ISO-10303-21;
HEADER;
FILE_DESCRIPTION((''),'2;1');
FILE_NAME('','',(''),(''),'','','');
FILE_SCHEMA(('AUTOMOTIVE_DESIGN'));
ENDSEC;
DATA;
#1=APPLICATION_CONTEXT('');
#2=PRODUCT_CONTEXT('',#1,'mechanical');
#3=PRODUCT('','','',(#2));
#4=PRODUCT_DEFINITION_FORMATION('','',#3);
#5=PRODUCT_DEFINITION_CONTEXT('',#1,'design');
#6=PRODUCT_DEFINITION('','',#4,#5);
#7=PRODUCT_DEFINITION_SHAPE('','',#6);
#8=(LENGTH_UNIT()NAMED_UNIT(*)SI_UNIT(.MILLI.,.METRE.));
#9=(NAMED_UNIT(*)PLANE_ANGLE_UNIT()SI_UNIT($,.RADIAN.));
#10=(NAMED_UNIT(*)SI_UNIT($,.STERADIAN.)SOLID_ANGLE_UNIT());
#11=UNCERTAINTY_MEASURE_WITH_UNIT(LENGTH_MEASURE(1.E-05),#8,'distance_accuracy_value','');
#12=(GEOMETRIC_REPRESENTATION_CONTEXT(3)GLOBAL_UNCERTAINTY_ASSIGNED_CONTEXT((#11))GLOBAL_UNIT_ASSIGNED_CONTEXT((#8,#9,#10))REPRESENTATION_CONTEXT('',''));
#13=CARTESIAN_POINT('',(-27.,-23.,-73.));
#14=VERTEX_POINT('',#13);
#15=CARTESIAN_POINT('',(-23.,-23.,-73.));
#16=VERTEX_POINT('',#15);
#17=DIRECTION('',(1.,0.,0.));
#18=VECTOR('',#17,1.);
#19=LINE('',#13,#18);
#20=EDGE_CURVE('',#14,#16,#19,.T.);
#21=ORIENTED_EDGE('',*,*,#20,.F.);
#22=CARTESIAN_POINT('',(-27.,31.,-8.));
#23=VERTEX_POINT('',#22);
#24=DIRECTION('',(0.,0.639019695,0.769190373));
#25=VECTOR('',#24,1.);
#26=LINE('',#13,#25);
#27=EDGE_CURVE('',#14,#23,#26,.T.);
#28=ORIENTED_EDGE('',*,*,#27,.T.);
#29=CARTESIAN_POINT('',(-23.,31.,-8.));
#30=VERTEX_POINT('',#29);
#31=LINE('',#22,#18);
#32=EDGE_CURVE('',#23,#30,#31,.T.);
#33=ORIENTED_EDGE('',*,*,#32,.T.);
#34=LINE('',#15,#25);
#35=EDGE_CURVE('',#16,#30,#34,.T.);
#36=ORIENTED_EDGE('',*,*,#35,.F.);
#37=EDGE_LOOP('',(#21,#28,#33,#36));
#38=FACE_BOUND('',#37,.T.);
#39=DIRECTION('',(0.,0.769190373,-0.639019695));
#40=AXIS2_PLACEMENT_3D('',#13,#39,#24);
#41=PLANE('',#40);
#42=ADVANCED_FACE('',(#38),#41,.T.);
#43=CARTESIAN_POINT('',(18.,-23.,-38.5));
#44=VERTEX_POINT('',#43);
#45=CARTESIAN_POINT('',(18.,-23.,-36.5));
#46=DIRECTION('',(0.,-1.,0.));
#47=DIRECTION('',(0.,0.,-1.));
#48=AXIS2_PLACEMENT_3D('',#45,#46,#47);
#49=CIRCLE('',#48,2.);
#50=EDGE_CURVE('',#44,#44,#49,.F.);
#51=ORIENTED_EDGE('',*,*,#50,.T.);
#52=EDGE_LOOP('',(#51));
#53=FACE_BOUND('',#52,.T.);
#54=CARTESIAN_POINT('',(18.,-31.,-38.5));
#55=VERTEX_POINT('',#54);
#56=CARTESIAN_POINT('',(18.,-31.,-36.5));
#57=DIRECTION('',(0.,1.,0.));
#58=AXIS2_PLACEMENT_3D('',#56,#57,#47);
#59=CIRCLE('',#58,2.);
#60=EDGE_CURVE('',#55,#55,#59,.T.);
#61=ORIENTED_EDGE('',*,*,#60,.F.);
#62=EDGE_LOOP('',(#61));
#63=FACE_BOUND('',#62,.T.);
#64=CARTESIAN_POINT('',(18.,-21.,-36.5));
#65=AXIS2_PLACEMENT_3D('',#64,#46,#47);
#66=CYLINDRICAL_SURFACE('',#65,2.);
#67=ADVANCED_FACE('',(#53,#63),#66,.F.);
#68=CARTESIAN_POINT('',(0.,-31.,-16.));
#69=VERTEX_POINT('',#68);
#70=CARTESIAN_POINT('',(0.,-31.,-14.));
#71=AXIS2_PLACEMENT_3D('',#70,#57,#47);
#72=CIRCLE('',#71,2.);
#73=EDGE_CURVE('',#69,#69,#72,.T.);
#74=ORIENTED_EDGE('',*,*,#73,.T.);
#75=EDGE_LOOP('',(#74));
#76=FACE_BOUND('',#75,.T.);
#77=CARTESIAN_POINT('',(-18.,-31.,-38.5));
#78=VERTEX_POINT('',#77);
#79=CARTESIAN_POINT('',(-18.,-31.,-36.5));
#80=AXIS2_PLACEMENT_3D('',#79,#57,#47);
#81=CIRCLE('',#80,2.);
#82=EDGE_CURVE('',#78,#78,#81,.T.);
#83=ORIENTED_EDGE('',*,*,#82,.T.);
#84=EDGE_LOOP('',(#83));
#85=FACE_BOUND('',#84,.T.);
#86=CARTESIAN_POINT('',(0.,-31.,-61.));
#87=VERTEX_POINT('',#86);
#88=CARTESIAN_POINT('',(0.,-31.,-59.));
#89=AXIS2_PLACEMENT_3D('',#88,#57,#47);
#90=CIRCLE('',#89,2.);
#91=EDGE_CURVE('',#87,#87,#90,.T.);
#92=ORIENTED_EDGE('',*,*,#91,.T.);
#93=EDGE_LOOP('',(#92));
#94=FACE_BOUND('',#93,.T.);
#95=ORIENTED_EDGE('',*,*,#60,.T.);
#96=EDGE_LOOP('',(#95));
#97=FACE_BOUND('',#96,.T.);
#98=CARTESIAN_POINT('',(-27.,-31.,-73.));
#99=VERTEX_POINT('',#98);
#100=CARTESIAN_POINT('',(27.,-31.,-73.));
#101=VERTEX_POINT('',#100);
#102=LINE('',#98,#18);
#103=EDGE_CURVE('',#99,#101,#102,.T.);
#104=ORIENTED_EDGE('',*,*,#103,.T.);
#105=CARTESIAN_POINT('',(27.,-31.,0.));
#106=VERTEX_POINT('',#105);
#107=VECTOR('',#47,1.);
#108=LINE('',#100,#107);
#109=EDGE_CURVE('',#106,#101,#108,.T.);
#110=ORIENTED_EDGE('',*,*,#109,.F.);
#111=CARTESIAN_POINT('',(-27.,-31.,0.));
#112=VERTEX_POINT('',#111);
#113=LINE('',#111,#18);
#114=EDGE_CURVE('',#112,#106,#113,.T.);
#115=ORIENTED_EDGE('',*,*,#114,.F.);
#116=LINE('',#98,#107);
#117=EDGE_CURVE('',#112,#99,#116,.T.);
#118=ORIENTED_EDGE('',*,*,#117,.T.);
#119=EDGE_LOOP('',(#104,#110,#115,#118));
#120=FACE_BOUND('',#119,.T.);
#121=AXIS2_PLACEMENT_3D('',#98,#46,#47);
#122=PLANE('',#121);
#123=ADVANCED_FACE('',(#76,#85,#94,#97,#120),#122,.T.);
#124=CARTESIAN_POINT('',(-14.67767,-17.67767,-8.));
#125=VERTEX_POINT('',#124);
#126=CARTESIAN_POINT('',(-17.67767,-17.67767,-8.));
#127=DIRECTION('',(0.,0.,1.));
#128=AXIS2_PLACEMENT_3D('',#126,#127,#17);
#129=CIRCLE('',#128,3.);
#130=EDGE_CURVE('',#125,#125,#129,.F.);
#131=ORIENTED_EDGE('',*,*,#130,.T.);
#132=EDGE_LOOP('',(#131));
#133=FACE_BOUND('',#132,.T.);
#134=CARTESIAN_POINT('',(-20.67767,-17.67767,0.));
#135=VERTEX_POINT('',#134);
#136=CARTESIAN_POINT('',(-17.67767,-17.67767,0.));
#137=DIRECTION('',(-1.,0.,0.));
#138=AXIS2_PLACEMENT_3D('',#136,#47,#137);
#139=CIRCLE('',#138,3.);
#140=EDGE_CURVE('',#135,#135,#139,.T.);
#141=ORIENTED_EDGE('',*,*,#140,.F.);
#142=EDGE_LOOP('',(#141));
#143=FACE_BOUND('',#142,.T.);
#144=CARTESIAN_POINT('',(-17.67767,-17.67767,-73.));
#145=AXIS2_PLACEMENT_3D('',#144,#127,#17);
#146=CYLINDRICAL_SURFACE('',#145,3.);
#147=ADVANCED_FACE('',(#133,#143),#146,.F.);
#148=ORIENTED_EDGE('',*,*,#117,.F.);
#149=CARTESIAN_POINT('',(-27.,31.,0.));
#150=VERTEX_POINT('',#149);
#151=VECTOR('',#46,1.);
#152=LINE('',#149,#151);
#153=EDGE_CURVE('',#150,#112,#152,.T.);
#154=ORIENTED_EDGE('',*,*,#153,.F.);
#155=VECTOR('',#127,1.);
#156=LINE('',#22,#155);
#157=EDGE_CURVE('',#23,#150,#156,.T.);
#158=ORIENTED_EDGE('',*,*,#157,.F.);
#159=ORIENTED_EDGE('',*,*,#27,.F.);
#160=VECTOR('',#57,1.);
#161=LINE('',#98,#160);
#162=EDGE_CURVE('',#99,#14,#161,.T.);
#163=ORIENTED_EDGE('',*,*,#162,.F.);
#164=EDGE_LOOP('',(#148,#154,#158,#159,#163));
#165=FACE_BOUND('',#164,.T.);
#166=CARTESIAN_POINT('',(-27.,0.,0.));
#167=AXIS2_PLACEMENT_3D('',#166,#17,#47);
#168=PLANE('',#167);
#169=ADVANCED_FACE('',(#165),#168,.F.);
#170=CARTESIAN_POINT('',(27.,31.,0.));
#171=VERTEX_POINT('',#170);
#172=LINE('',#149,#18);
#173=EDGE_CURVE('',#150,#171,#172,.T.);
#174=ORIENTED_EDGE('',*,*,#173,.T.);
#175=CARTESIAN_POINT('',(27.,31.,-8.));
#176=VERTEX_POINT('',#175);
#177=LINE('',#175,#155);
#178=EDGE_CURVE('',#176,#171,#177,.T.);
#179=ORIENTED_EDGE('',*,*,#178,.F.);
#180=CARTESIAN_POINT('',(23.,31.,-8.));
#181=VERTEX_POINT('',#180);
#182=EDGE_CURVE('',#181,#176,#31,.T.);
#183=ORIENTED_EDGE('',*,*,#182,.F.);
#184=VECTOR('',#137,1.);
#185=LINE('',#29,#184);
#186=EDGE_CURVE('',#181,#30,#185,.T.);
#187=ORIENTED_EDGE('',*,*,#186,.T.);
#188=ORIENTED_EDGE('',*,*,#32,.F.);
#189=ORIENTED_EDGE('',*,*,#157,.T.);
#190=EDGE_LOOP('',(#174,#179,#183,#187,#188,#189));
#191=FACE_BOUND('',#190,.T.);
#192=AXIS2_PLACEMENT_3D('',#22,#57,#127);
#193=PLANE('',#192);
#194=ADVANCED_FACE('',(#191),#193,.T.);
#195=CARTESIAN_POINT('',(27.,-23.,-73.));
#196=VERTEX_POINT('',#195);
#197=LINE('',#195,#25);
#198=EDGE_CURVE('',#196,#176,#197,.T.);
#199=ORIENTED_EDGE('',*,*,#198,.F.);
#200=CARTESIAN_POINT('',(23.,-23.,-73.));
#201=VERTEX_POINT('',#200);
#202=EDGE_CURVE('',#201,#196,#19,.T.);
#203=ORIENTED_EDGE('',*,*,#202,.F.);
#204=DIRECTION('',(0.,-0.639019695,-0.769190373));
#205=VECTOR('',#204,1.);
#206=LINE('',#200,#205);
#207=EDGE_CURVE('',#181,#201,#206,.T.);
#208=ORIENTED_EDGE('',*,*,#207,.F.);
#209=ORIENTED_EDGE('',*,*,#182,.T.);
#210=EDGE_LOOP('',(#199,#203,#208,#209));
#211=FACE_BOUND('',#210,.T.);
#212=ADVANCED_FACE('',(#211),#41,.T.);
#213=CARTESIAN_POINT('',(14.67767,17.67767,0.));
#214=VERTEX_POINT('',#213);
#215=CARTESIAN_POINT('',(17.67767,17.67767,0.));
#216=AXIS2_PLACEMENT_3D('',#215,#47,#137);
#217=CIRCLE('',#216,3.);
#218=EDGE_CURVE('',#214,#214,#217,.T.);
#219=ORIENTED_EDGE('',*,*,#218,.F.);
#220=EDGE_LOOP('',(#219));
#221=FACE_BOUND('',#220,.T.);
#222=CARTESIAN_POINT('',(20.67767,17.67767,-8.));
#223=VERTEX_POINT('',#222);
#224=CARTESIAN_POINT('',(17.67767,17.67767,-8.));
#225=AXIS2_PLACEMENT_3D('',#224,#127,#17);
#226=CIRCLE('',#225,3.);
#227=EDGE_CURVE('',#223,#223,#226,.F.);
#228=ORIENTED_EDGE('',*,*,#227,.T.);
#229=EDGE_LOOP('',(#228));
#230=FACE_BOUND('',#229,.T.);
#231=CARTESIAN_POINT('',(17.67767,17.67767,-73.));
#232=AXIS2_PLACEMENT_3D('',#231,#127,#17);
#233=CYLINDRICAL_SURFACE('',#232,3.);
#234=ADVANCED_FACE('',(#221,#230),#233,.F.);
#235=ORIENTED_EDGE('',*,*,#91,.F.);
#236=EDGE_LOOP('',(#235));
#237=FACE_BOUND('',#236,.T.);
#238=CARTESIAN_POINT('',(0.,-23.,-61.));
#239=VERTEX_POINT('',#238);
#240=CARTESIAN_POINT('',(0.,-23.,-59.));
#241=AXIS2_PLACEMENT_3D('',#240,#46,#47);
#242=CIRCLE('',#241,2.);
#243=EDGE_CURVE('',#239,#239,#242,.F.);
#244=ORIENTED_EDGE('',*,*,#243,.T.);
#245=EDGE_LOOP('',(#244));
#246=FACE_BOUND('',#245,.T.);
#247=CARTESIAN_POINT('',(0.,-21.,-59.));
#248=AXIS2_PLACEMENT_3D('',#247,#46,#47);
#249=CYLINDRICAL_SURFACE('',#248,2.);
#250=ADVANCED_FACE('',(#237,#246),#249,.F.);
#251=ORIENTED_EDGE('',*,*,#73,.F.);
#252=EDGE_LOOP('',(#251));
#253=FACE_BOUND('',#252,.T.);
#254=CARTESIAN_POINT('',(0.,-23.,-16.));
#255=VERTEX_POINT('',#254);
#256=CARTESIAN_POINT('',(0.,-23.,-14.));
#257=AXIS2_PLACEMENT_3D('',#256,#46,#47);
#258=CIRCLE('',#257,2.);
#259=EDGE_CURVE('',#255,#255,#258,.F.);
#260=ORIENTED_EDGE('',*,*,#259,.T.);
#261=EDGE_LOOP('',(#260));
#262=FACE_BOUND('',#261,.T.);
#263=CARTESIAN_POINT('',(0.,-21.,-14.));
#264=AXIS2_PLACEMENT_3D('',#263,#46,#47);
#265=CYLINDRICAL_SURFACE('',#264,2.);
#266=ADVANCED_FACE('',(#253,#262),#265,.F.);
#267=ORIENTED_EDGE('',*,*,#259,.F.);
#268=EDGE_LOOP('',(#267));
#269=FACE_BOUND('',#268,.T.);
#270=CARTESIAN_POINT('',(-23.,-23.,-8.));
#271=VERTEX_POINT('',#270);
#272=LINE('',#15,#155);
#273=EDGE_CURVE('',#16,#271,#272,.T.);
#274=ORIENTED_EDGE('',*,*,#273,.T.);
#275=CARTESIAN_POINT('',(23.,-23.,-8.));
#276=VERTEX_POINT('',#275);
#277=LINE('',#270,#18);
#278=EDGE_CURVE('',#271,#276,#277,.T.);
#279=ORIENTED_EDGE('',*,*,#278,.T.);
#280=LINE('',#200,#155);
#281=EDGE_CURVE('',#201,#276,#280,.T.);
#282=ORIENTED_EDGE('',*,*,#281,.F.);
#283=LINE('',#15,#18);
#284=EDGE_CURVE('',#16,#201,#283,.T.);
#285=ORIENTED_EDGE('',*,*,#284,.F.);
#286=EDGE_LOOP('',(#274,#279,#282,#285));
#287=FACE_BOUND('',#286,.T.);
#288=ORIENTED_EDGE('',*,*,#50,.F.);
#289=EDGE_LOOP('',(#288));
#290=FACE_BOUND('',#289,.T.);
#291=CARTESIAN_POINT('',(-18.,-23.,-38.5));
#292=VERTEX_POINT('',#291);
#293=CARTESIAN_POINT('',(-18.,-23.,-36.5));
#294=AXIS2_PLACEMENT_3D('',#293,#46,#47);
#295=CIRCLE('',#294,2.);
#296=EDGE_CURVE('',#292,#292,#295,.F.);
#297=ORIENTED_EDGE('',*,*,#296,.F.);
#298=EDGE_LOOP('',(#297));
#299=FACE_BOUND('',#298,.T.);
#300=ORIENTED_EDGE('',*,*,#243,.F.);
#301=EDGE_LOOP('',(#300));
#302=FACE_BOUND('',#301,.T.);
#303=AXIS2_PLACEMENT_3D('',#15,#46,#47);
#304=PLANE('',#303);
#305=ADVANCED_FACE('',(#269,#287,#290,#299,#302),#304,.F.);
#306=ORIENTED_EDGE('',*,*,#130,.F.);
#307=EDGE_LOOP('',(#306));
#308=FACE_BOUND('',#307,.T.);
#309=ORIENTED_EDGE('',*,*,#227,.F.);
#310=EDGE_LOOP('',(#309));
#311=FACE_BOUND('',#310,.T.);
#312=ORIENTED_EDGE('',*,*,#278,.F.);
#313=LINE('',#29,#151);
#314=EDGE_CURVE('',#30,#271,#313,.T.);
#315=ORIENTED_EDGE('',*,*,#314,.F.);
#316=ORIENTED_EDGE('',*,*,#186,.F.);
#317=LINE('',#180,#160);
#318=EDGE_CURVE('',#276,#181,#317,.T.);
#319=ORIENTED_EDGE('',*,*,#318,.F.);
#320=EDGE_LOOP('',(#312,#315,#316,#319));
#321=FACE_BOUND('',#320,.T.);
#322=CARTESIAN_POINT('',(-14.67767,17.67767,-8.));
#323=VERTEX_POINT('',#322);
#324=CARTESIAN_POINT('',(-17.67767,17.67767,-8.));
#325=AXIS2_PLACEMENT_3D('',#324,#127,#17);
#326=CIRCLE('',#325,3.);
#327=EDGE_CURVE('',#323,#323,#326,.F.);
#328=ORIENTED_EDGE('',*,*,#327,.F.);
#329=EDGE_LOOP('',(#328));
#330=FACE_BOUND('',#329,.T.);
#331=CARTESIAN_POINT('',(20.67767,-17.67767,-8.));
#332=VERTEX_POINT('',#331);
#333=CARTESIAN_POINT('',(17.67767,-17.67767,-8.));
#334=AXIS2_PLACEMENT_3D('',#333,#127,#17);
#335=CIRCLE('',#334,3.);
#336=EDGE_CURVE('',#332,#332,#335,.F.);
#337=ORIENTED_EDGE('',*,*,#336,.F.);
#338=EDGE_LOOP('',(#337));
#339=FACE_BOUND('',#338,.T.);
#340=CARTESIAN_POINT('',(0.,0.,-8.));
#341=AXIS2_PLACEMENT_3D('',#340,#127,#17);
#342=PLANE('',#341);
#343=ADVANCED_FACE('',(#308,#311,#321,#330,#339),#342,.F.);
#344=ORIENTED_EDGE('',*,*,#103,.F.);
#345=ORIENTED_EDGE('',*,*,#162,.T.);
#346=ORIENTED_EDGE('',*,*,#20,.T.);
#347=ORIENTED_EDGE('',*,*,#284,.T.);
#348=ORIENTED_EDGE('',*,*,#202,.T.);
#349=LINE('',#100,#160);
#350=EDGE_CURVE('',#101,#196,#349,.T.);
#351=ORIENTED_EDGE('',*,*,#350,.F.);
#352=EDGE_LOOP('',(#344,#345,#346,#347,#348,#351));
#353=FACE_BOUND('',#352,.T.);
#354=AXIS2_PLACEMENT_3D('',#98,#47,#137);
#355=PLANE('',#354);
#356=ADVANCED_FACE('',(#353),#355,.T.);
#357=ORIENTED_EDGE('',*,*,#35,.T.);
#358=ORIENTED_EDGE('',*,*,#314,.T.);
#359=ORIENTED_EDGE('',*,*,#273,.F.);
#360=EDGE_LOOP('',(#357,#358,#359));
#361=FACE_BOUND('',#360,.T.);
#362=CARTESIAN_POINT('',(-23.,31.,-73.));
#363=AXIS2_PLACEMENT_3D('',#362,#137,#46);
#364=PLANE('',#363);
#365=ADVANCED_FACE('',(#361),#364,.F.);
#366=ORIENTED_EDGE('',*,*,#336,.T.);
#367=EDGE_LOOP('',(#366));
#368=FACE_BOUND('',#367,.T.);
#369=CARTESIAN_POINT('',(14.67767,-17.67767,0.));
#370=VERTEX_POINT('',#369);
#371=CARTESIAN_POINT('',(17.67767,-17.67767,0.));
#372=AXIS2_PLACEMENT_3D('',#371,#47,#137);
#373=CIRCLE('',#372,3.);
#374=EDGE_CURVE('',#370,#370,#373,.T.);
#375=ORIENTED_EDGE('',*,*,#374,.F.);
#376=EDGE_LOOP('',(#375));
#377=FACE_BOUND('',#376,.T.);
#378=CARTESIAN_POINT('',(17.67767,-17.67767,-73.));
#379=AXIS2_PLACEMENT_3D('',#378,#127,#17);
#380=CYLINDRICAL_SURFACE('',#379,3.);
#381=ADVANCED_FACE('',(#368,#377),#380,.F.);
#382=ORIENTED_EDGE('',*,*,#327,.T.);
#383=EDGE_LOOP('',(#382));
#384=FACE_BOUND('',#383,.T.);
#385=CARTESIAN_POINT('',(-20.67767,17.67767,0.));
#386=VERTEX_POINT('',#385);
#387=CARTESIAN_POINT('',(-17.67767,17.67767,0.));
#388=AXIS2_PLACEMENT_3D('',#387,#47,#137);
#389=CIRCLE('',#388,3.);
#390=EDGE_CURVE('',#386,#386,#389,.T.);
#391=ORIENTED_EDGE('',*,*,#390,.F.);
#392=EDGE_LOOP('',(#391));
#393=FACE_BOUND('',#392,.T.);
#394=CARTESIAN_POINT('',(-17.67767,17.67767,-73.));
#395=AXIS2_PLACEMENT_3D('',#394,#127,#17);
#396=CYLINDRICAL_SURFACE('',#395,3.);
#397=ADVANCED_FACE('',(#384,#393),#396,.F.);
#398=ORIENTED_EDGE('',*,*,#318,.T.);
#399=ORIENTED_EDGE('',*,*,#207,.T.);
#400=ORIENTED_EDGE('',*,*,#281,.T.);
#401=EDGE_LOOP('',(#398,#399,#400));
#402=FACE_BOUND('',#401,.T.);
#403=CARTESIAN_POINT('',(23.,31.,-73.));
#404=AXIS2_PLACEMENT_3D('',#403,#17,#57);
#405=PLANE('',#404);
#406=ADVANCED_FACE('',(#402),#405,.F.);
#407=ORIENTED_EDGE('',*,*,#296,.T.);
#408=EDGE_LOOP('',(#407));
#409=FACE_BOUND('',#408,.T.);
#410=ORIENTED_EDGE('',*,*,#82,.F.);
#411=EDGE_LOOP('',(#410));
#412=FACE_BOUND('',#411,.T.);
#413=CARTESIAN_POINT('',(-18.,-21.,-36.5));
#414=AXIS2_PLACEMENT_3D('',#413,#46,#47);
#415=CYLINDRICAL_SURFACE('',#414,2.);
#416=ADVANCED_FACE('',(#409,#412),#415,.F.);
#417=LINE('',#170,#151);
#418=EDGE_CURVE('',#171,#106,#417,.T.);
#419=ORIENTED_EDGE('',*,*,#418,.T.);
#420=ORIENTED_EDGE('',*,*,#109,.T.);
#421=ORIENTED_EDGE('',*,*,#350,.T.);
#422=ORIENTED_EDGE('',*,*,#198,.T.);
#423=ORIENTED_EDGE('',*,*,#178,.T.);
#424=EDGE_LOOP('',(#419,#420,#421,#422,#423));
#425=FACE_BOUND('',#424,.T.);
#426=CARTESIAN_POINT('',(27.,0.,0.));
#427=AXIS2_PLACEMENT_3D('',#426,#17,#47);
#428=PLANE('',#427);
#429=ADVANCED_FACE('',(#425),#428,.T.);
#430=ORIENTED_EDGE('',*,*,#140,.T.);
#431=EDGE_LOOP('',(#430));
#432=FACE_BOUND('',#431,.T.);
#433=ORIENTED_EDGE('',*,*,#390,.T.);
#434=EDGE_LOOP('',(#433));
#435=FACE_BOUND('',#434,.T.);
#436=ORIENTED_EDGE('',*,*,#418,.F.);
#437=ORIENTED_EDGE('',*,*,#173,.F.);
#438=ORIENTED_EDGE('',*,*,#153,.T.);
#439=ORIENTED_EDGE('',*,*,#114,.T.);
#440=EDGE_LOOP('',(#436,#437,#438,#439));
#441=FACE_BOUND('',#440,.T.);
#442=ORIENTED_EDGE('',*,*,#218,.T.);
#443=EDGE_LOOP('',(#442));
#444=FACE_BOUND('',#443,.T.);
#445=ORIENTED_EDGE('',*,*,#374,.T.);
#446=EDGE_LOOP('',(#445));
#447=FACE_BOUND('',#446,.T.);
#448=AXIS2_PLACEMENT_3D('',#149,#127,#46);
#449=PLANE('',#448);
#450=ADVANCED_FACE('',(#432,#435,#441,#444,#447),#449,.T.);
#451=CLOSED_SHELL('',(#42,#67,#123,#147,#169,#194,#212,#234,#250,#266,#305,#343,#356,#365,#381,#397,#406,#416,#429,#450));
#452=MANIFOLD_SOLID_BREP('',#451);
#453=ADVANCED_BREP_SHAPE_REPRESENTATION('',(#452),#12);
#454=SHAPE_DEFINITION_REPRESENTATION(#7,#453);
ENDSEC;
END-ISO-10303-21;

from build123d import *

# Parameters (mm, degrees)
BOSS_EXTRUDE1_DEPTH      = 27
BOSS_EXTRUDE1_DEPTH_BACK = 27
CUT_EXTRUDE1_START       = -8
SKETCH4_W                = 46
SKETCH4_H                = 54
CUT_EXTRUDE1_DEPTH       = 76.779472426
SKETCH5_R                = 3
CUT_EXTRUDE2_DEPTH       = 84.779472426
SKETCH6_R                = 2
CUT_EXTRUDE4_DEPTH       = 10


with BuildPart() as part:
    # Sketch1 → Boss-Extrude1 (new, two sides: drawn at the far end of the back side and taken through both)
    with BuildSketch(Plane(origin=(0, 0, 0), x_dir=(0, 0, -1), z_dir=(1, 0, 0)).offset(-BOSS_EXTRUDE1_DEPTH_BACK)):
        Polygon((0, 31), (0, -31), (73, -31), (73, -23), (8, 31), align=None)
    extrude(amount=BOSS_EXTRUDE1_DEPTH + BOSS_EXTRUDE1_DEPTH_BACK)

    # Sketch4 → Cut-Extrude1 (cut, through all)
    with BuildSketch(Plane.XY.offset(CUT_EXTRUDE1_START)):
        with Locations((0, 4)):
            Rectangle(SKETCH4_W, SKETCH4_H)
    extrude(amount=-CUT_EXTRUDE1_DEPTH, mode=Mode.SUBTRACT)

    # Sketch5 → Cut-Extrude2 (cut, through all)
    with BuildSketch(Plane(origin=(0, 0, 0), x_dir=(-1, 0, 0), z_dir=(0, 0, -1))):
        with Locations((17.67766953, 17.67766953)):
            Circle(SKETCH5_R)
        with Locations((17.67766953, -17.67766953)):
            Circle(SKETCH5_R)
        with Locations((-17.67766953, -17.67766953)):
            Circle(SKETCH5_R)
        with Locations((-17.67766953, 17.67766953)):
            Circle(SKETCH5_R)
    extrude(amount=CUT_EXTRUDE2_DEPTH, mode=Mode.SUBTRACT)

    # Sketch6 → Cut-Extrude4 (cut)
    with BuildSketch(Plane(origin=(0, -31, -35), x_dir=(1, 0, 0), z_dir=(0, 1, 0))):
        with Locations((0, -21)):
            Circle(SKETCH6_R)
        with Locations((0, 24)):
            Circle(SKETCH6_R)
        with Locations((18, 1.5)):
            Circle(SKETCH6_R)
        with Locations((-18, 1.5)):
            Circle(SKETCH6_R)
    extrude(amount=CUT_EXTRUDE4_DEPTH, mode=Mode.SUBTRACT)


solid = part.part
